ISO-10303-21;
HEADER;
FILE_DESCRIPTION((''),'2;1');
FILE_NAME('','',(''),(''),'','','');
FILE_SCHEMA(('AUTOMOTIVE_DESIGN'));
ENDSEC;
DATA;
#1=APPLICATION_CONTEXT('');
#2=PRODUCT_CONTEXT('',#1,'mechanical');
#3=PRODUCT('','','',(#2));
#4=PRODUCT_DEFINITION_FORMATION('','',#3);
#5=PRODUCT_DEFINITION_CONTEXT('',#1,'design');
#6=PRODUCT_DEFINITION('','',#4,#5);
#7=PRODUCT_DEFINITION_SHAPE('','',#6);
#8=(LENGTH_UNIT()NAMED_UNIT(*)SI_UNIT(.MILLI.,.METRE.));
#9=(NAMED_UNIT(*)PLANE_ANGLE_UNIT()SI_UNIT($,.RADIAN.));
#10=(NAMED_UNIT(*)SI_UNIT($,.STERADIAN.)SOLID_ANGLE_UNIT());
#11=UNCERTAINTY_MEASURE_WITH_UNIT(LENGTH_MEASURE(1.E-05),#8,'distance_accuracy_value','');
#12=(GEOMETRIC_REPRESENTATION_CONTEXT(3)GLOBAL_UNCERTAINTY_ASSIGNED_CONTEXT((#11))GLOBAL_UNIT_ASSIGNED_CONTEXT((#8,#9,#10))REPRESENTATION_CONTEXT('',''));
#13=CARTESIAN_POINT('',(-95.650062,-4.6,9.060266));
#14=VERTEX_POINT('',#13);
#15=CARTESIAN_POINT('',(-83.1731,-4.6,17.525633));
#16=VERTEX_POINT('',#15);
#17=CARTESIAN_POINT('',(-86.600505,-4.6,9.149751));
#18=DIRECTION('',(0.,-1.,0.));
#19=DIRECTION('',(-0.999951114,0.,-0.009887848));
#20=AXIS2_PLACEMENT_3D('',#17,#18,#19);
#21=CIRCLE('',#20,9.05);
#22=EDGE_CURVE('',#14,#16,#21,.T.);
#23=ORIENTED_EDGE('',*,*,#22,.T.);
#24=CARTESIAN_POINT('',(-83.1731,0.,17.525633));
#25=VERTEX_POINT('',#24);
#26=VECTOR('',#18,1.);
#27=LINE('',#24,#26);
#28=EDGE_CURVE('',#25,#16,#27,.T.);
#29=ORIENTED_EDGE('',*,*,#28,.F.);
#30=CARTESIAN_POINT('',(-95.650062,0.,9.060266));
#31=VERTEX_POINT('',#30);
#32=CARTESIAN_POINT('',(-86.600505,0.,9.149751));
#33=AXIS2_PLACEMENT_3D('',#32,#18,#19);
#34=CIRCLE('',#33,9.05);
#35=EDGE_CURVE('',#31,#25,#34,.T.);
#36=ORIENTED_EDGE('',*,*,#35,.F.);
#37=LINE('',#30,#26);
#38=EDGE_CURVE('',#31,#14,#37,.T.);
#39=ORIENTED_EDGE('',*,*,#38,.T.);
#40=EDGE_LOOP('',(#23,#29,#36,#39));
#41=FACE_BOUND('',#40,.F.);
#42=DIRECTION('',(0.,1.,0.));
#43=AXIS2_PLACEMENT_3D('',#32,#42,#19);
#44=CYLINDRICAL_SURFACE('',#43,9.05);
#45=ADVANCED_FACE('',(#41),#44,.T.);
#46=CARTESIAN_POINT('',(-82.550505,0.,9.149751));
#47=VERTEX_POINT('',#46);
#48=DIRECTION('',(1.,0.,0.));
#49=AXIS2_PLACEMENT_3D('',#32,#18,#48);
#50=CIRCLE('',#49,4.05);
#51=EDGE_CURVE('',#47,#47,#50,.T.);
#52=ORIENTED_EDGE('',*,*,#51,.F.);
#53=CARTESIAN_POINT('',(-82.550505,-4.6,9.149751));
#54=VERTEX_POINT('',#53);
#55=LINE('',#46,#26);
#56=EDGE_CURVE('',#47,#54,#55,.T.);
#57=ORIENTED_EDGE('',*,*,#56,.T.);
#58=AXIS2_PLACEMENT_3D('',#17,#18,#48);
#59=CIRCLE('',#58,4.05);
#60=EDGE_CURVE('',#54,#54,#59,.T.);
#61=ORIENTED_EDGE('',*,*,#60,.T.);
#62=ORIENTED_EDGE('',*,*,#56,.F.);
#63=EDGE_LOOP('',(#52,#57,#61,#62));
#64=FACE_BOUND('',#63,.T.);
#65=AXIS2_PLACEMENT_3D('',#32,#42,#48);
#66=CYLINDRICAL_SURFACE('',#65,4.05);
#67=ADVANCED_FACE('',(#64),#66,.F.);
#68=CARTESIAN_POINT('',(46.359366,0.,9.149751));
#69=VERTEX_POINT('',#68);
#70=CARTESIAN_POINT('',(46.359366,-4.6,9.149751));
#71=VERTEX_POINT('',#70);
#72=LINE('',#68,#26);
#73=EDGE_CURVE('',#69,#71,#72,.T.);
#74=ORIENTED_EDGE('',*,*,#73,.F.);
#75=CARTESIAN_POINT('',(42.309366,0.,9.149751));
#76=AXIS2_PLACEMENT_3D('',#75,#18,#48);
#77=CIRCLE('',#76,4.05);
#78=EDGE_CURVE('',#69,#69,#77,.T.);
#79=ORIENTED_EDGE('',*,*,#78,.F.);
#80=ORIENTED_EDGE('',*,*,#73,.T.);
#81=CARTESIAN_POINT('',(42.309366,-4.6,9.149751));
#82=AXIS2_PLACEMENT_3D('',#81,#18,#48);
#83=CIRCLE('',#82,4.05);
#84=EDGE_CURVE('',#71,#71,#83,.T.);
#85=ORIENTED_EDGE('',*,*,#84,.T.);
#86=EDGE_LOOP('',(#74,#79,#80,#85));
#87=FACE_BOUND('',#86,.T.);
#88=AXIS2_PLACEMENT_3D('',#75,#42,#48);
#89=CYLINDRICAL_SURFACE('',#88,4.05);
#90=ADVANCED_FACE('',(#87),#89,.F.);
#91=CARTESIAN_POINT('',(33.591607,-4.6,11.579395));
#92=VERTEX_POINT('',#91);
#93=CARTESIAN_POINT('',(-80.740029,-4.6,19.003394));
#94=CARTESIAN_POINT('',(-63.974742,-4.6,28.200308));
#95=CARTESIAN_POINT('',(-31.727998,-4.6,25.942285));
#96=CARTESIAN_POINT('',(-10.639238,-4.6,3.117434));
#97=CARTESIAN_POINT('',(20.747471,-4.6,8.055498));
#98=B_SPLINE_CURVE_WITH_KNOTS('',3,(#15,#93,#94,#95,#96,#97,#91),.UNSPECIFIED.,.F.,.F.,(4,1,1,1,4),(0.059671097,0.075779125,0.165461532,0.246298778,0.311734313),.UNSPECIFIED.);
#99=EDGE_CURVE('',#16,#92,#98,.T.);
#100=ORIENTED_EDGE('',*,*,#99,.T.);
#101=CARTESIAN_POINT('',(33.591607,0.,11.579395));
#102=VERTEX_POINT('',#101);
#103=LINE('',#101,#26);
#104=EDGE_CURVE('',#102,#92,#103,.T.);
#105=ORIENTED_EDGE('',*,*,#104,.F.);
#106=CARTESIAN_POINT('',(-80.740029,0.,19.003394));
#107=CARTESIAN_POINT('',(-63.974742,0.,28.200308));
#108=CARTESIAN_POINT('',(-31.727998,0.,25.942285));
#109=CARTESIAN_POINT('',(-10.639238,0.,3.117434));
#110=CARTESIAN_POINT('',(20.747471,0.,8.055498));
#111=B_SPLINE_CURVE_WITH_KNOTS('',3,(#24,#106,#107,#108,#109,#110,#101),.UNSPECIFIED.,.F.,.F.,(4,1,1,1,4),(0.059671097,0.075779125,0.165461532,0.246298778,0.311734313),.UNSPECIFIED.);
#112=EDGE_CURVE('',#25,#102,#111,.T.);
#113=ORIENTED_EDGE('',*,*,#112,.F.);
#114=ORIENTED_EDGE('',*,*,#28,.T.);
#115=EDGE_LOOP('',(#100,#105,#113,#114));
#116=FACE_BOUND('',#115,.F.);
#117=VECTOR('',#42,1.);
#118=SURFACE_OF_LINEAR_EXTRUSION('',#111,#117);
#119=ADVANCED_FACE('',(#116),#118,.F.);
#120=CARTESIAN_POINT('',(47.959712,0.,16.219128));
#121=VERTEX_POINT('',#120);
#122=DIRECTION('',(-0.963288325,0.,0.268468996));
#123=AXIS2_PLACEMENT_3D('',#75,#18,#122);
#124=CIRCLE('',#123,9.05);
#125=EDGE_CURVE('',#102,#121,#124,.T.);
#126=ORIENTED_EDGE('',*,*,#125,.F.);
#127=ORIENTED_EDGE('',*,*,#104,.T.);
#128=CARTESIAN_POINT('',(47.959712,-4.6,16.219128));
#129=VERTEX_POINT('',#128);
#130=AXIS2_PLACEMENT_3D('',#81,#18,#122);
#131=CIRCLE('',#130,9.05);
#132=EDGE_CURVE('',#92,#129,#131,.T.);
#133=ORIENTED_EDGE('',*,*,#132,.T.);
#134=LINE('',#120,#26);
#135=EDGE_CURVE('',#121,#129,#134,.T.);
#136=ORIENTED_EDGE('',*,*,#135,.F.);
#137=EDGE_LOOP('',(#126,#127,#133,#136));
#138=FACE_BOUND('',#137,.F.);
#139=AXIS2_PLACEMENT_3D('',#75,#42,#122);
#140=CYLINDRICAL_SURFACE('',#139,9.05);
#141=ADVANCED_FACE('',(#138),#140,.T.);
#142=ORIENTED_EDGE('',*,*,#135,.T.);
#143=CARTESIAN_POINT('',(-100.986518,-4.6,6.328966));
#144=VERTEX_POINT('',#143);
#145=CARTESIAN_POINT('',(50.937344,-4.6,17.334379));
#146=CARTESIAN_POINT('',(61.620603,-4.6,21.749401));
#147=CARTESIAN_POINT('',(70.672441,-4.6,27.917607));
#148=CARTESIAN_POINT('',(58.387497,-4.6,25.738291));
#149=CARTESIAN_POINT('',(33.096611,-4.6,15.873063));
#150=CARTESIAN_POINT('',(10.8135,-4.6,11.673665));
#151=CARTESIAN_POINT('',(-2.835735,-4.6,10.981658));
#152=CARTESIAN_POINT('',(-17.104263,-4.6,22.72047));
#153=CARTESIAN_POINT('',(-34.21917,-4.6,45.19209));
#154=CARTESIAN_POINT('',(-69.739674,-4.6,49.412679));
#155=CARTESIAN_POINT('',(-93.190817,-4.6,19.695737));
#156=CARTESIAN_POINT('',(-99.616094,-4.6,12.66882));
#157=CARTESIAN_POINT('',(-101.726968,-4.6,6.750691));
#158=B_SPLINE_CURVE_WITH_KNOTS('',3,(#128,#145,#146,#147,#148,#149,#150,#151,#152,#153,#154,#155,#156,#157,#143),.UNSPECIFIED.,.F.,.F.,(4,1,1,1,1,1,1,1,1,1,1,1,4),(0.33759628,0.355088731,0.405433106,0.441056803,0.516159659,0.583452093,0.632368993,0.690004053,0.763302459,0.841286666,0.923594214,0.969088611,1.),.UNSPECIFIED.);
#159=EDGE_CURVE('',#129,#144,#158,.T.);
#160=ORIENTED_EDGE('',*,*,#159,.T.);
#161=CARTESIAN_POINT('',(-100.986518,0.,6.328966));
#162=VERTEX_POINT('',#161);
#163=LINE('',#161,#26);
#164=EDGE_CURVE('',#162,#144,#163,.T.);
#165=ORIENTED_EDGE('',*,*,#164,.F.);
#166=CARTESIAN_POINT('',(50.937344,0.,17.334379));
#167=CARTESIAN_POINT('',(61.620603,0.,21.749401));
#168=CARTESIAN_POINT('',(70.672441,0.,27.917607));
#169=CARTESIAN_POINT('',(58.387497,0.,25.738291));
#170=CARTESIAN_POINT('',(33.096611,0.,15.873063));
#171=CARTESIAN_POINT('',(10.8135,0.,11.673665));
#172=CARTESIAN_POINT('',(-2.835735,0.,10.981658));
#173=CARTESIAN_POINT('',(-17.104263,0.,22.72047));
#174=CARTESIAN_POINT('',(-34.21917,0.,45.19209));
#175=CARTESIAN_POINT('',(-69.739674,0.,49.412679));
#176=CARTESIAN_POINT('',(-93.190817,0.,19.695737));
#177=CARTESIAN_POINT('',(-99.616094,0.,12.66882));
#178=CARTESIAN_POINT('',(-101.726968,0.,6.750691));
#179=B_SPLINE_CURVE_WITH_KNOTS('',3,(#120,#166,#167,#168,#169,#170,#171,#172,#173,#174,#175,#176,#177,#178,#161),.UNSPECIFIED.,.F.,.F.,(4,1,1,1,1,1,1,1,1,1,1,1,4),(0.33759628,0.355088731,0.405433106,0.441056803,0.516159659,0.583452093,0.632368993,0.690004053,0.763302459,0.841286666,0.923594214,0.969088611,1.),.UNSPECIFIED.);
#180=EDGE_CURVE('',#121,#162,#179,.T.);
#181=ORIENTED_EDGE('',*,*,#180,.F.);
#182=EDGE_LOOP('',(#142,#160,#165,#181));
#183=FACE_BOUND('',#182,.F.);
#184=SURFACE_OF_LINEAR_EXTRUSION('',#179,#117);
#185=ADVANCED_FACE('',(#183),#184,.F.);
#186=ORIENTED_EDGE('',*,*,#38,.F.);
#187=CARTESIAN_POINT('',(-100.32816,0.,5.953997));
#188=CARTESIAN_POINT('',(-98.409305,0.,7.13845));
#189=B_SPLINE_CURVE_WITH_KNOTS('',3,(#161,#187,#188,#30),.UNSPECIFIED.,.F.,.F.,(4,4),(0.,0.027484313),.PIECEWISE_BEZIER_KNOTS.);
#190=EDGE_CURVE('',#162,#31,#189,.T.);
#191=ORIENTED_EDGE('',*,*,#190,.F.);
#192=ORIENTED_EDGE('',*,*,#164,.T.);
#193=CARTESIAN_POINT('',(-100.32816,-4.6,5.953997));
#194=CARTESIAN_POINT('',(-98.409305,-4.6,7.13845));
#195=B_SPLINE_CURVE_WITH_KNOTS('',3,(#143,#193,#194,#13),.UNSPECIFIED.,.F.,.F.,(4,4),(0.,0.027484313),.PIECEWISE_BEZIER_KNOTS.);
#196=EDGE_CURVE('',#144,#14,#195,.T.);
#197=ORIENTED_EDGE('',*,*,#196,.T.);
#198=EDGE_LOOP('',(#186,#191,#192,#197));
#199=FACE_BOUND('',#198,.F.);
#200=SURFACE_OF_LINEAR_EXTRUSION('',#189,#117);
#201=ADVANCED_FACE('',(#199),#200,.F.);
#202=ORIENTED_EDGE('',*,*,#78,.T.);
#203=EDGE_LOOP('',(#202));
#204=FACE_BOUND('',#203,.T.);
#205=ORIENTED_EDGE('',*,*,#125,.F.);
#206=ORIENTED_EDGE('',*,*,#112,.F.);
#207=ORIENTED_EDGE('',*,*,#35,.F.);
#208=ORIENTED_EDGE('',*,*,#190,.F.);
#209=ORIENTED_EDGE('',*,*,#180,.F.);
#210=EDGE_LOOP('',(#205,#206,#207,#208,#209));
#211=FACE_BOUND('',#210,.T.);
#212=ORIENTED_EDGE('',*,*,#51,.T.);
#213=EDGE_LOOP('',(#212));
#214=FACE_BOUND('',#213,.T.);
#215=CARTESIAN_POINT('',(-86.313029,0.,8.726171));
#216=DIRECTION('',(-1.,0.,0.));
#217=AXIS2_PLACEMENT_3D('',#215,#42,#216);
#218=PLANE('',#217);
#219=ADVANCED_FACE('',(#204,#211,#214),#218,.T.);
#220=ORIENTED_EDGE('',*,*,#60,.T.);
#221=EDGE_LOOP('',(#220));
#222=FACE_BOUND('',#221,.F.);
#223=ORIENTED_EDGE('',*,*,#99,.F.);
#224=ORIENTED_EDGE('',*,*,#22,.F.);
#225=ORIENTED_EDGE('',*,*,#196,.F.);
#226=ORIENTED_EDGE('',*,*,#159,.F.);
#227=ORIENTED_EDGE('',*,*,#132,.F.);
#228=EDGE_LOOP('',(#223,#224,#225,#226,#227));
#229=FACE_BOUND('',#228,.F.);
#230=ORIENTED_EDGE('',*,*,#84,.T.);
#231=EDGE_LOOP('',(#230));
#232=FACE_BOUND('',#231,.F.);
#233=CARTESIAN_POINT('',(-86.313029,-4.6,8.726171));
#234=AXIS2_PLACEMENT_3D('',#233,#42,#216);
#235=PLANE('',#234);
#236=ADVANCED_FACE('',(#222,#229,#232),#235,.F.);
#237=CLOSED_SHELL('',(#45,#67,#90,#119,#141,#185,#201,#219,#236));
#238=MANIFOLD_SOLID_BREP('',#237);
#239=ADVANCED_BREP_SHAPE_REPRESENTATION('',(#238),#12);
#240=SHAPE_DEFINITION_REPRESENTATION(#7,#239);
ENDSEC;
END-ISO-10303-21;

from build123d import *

# Parameters (mm, degrees)
F0_R     = 4.05
F1_DEPTH = 4.6


with BuildPart() as f1:
    # F0 (on Front) → F1 (new body)
    with BuildSketch(Plane.XZ):
        with BuildLine():
            add(Edge.make_bspline(
                [(-95.6500623996, 9.0602656722), (-92.4187230117, 11.3108970642), (-88.0348199361, 14.5727958506), (-83.173100013, 17.5256325183)],
                knots=[0.0274843125, 0.0274843125, 0.0274843125, 0.0274843125, 0.0596710968, 0.0596710968, 0.0596710968, 0.0596710968], degree=3))
            ThreePointArc((-95.6500623996, 9.0602656722), (-81.5193868871, 1.6607760946), (-83.173100013, 17.5256325183))
        make_face()
        with Locations((-86.6005048175, 9.1497506957)):
            Circle(F0_R, mode=Mode.SUBTRACT)
        with BuildLine():
            add(Edge.make_bspline(
                [(-100.9865179658, 6.3289660029), (-100.3281599428, 5.9539966584), (-98.4093048491, 7.1384503103), (-95.6500623996, 9.0602656722)],
                knots=[0, 0, 0, 0, 0.0274843125, 0.0274843125, 0.0274843125, 0.0274843125], degree=3))
            add(Edge.make_bspline(
                [(-95.6500623996, 9.0602656722), (-92.4187230117, 11.3108970642), (-88.0348199361, 14.5727958506), (-83.173100013, 17.5256325183)],
                knots=[0.0274843125, 0.0274843125, 0.0274843125, 0.0274843125, 0.0596710968, 0.0596710968, 0.0596710968, 0.0596710968], degree=3))
            add(Edge.make_bspline(
                [(-83.173100013, 17.5256325183), (-80.7400293298, 19.0033935663), (-63.9747422847, 28.2003079843), (-31.72799794, 25.9422852705), (-10.6392381399, 3.1174342228), (20.7474714826, 8.0554976096), (33.591606821, 11.5793951116)],
                knots=[0.0596710968, 0.0596710968, 0.0596710968, 0.0596710968, 0.0757791249, 0.1654615319, 0.2462987782, 0.3117343129, 0.3117343129, 0.3117343129, 0.3117343129], degree=3))
            add(Edge.make_bspline(
                [(33.591606821, 11.5793951116), (38.6679709904, 12.9721386902), (43.5573892137, 14.5702674364), (47.9597123027, 16.2191275089)],
                knots=[0.3117343129, 0.3117343129, 0.3117343129, 0.3117343129, 0.3375962799, 0.3375962799, 0.3375962799, 0.3375962799], degree=3))
            add(Edge.make_bspline(
                [(47.9597123027, 16.2191275089), (50.9373443289, 17.3343792656), (61.6206033866, 21.7494013011), (70.6724412347, 27.9176068504), (58.3874971944, 25.7382909814), (33.0966114651, 15.8730632325), (10.8135002128, 11.6736651531), (-2.8357350804, 10.9816583368), (-17.1042634225, 22.7204702994), (-34.2191697922, 45.1920904896), (-69.7396741916, 49.4126791198), (-93.1908172209, 19.6957368461), (-99.6160943969, 12.6688196647), (-101.7269680207, 6.7506910553), (-100.9865179658, 6.3289660029)],
                knots=[0.3375962799, 0.3375962799, 0.3375962799, 0.3375962799, 0.355088731, 0.4054331057, 0.4410568034, 0.5161596585, 0.5834520926, 0.6323689927, 0.6900040534, 0.7633024594, 0.8412866662, 0.9235942142, 0.9690886114, 1, 1, 1, 1], degree=3))
        make_face()
        with BuildLine():
            add(Edge.make_bspline(
                [(33.591606821, 11.5793951116), (38.6679709904, 12.9721386902), (43.5573892137, 14.5702674364), (47.9597123027, 16.2191275089)],
                knots=[0.3117343129, 0.3117343129, 0.3117343129, 0.3117343129, 0.3375962799, 0.3375962799, 0.3375962799, 0.3375962799], degree=3))
            ThreePointArc((33.591606821, 11.5793951116), (45.0903794943, 0.5376391724), (47.9597123027, 16.2191275089))
        make_face()
        with Locations((42.3093661666, 9.1497506946)):
            Circle(F0_R, mode=Mode.SUBTRACT)
    extrude(amount=F1_DEPTH)


solid = f1.part
